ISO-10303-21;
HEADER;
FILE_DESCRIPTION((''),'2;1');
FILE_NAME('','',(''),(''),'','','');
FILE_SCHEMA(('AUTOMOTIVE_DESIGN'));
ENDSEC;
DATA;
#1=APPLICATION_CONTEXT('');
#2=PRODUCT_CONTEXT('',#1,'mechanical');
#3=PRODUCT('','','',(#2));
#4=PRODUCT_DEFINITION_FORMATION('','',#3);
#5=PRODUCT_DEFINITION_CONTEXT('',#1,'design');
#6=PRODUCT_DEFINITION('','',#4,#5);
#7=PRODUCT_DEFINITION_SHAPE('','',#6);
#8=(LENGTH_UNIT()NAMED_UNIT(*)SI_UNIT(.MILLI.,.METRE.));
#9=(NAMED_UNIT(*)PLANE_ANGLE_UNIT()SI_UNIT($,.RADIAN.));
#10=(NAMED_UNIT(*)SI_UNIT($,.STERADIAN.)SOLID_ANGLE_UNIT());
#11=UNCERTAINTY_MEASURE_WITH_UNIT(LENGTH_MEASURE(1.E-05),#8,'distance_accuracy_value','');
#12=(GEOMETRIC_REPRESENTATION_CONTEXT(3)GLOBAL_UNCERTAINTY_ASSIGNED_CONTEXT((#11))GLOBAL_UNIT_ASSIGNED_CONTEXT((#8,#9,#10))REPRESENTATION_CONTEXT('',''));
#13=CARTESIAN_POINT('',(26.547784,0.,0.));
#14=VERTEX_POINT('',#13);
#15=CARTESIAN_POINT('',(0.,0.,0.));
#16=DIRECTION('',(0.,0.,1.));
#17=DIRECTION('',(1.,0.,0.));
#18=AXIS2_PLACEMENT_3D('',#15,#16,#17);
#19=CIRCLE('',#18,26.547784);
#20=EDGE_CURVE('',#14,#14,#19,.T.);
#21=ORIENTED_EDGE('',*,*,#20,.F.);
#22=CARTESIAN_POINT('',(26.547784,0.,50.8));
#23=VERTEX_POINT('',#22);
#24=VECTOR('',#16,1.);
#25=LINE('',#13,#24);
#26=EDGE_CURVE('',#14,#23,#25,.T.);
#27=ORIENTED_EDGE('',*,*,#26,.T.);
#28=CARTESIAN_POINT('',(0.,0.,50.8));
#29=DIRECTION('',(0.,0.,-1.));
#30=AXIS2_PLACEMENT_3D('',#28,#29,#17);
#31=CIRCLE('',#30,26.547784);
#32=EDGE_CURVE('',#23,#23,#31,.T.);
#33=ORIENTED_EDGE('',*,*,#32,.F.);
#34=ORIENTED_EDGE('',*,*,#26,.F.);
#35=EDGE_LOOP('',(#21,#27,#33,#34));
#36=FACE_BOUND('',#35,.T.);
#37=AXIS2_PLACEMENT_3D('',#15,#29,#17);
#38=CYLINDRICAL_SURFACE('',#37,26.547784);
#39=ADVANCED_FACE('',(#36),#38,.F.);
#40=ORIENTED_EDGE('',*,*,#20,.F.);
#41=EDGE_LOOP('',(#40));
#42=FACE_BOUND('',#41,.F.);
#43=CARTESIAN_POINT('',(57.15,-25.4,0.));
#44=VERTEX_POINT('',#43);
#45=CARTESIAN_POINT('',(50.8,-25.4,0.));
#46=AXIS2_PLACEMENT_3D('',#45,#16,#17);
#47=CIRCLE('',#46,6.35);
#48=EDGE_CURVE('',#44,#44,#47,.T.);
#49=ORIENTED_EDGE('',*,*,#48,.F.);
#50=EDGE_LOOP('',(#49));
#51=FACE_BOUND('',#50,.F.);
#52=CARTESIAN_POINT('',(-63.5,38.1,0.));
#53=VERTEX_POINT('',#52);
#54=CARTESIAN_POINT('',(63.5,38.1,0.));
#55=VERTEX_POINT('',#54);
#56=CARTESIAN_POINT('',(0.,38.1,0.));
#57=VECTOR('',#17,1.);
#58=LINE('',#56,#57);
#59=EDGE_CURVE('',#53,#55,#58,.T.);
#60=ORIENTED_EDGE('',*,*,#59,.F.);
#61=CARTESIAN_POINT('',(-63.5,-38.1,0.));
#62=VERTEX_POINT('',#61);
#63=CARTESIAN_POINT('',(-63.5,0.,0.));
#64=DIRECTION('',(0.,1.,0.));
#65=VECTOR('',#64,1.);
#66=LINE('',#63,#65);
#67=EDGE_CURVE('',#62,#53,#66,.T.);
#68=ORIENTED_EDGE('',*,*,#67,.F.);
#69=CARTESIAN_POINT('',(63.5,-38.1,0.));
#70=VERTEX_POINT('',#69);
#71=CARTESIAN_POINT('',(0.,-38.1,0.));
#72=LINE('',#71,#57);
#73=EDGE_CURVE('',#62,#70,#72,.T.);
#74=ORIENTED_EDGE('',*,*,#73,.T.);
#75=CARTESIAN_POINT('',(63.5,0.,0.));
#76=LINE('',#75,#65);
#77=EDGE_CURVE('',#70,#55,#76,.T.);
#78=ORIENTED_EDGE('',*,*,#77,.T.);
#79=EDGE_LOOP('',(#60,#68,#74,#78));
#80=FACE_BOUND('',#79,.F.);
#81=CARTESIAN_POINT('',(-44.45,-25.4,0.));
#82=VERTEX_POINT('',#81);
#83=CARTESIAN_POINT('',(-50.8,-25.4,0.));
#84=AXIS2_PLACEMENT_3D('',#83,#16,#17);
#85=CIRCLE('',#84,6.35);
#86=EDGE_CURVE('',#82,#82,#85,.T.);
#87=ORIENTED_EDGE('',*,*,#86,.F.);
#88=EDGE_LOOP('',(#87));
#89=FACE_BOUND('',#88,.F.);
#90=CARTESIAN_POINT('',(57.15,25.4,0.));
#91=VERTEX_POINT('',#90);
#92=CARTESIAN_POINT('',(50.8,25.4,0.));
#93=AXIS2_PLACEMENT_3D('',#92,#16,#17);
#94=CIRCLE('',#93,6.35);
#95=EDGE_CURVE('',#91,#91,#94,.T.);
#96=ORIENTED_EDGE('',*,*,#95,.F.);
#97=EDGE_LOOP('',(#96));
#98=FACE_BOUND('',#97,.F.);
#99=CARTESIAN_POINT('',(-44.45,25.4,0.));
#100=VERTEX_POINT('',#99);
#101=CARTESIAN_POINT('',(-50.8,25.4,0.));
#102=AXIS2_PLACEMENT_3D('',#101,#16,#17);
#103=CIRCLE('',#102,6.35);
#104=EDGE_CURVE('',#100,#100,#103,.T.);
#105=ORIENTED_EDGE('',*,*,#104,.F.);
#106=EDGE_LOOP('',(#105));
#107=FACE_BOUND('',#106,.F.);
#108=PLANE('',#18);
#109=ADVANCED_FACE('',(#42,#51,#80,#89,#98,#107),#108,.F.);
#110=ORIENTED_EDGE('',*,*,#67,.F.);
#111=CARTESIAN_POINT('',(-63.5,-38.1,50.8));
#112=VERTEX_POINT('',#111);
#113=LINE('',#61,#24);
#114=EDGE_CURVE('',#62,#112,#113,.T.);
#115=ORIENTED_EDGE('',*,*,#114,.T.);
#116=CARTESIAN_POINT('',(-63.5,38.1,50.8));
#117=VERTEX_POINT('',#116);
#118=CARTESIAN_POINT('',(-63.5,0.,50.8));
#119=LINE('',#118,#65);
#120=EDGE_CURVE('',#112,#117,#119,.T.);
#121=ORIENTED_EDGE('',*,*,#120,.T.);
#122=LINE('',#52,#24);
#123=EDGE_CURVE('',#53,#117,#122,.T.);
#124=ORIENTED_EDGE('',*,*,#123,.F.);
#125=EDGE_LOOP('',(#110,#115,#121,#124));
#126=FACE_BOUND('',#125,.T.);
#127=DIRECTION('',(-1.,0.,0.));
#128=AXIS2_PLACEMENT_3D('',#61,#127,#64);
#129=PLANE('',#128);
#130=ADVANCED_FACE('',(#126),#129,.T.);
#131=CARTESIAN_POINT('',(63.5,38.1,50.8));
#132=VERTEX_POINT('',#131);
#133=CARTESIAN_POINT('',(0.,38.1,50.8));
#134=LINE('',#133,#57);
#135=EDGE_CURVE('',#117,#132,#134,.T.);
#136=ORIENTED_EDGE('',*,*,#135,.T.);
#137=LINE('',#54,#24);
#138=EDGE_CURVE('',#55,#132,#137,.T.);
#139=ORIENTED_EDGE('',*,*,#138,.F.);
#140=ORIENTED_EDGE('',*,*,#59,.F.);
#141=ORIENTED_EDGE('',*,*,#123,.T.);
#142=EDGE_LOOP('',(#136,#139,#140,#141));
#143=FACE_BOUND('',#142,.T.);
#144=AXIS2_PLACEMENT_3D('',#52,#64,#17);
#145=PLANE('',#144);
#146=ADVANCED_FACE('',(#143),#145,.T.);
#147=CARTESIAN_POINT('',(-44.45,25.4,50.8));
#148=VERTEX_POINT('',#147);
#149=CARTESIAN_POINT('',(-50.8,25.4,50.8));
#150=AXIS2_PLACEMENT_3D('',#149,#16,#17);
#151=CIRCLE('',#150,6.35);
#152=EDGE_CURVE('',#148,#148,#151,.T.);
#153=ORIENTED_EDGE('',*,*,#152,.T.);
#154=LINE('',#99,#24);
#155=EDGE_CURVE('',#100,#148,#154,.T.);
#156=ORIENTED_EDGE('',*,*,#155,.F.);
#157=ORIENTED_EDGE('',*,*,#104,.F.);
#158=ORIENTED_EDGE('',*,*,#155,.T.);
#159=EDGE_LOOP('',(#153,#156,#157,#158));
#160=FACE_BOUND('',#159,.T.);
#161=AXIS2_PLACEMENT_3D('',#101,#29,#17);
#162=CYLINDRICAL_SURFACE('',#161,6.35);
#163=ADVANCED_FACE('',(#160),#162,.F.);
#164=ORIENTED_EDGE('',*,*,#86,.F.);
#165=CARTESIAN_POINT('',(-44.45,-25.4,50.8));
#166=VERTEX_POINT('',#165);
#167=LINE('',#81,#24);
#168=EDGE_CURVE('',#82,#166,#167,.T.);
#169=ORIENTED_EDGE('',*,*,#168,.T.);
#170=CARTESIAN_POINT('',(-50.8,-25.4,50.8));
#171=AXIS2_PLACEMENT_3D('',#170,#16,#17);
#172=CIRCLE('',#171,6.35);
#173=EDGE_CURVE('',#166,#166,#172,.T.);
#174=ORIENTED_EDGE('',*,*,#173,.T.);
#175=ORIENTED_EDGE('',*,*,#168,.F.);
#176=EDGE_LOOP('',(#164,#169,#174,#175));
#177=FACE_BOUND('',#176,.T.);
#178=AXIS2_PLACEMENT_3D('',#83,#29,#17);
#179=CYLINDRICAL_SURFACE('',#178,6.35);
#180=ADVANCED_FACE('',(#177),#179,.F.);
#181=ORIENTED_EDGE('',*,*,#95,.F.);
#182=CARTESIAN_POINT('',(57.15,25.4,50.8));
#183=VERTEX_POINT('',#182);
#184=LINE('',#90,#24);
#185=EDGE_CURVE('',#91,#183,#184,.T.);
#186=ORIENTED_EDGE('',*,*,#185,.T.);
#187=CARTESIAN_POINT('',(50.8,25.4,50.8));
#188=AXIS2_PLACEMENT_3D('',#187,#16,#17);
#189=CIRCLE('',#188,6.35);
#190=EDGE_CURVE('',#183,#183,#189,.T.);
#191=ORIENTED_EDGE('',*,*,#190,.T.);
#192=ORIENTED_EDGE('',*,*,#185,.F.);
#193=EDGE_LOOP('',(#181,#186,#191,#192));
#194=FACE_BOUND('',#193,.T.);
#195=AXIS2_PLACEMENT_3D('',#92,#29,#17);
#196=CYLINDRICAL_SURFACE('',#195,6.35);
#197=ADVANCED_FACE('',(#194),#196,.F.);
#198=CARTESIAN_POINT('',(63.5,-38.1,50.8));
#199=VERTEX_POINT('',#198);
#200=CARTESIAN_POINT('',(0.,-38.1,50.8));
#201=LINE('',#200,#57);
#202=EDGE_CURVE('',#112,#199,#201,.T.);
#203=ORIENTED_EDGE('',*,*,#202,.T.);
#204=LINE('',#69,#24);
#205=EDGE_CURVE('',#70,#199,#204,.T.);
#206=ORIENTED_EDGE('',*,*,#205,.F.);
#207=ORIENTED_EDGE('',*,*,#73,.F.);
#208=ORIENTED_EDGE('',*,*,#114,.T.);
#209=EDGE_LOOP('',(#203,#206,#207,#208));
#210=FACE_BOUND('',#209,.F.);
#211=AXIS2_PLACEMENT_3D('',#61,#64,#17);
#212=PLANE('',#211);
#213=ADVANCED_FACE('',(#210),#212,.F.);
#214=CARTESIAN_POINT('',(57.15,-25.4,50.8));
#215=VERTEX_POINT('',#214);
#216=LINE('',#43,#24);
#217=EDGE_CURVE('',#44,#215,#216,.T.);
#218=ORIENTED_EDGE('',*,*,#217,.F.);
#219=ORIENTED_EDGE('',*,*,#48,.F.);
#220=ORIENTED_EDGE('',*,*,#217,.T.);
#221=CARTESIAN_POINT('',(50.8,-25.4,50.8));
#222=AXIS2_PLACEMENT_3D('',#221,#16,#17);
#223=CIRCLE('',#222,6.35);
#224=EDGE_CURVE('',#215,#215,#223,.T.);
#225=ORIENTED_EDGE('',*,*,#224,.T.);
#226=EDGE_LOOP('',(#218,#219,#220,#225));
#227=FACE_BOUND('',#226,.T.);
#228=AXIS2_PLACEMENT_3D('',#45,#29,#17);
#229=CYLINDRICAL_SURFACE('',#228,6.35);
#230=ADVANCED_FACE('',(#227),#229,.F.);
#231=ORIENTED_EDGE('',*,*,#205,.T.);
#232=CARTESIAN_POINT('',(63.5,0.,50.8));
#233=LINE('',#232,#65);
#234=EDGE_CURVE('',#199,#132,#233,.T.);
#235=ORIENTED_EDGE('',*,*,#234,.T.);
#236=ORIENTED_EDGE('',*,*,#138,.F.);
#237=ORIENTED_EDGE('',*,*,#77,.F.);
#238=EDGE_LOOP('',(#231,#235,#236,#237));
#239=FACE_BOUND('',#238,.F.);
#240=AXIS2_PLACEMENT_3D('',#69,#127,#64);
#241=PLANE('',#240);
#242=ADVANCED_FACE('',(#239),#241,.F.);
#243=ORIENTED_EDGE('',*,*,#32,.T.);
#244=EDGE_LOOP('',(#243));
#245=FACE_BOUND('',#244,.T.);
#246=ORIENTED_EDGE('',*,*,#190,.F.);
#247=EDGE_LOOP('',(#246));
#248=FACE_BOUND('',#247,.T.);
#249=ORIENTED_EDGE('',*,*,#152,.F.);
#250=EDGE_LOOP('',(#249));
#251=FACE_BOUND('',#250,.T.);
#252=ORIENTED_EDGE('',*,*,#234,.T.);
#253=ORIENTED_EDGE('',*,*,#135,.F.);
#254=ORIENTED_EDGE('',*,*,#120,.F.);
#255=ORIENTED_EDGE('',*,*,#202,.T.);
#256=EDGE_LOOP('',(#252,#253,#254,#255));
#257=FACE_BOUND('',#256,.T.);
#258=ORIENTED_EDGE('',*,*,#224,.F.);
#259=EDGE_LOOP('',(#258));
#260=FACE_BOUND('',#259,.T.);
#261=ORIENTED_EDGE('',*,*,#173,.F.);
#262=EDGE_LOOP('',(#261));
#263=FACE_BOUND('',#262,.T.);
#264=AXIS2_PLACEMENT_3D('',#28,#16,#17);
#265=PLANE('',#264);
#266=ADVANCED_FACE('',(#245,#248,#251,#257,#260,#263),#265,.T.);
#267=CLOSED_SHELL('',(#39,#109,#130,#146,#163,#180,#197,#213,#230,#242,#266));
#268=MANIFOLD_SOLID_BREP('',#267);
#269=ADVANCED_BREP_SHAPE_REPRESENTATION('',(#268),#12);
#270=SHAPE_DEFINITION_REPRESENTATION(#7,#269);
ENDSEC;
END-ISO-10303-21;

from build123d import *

# Parameters (mm, degrees)
F0_W     = 127
F0_H     = 76.2
F0_R     = 6.35
F1_DEPTH = 50.8
F2_R     = 26.547784
F3_DEPTH = 50.801


with BuildPart() as f1:
    # F0 (on Top) → F1 (new body)
    with BuildSketch(Plane.XY):
        Rectangle(F0_W, F0_H)
        with Locations((-50.8, -25.4)):
            Circle(F0_R, mode=Mode.SUBTRACT)
        with Locations((50.8, -25.4)):
            Circle(F0_R, mode=Mode.SUBTRACT)
        with Locations((-50.8, 25.4)):
            Circle(F0_R, mode=Mode.SUBTRACT)
        with Locations((50.8, 25.4)):
            Circle(F0_R, mode=Mode.SUBTRACT)
    extrude(amount=F1_DEPTH)

    # F2 (on Top) → F3 (cut, through all)
    with BuildSketch(Plane.XY):
        Circle(F2_R)
    extrude(amount=F3_DEPTH, mode=Mode.SUBTRACT)


solid = f1.part
